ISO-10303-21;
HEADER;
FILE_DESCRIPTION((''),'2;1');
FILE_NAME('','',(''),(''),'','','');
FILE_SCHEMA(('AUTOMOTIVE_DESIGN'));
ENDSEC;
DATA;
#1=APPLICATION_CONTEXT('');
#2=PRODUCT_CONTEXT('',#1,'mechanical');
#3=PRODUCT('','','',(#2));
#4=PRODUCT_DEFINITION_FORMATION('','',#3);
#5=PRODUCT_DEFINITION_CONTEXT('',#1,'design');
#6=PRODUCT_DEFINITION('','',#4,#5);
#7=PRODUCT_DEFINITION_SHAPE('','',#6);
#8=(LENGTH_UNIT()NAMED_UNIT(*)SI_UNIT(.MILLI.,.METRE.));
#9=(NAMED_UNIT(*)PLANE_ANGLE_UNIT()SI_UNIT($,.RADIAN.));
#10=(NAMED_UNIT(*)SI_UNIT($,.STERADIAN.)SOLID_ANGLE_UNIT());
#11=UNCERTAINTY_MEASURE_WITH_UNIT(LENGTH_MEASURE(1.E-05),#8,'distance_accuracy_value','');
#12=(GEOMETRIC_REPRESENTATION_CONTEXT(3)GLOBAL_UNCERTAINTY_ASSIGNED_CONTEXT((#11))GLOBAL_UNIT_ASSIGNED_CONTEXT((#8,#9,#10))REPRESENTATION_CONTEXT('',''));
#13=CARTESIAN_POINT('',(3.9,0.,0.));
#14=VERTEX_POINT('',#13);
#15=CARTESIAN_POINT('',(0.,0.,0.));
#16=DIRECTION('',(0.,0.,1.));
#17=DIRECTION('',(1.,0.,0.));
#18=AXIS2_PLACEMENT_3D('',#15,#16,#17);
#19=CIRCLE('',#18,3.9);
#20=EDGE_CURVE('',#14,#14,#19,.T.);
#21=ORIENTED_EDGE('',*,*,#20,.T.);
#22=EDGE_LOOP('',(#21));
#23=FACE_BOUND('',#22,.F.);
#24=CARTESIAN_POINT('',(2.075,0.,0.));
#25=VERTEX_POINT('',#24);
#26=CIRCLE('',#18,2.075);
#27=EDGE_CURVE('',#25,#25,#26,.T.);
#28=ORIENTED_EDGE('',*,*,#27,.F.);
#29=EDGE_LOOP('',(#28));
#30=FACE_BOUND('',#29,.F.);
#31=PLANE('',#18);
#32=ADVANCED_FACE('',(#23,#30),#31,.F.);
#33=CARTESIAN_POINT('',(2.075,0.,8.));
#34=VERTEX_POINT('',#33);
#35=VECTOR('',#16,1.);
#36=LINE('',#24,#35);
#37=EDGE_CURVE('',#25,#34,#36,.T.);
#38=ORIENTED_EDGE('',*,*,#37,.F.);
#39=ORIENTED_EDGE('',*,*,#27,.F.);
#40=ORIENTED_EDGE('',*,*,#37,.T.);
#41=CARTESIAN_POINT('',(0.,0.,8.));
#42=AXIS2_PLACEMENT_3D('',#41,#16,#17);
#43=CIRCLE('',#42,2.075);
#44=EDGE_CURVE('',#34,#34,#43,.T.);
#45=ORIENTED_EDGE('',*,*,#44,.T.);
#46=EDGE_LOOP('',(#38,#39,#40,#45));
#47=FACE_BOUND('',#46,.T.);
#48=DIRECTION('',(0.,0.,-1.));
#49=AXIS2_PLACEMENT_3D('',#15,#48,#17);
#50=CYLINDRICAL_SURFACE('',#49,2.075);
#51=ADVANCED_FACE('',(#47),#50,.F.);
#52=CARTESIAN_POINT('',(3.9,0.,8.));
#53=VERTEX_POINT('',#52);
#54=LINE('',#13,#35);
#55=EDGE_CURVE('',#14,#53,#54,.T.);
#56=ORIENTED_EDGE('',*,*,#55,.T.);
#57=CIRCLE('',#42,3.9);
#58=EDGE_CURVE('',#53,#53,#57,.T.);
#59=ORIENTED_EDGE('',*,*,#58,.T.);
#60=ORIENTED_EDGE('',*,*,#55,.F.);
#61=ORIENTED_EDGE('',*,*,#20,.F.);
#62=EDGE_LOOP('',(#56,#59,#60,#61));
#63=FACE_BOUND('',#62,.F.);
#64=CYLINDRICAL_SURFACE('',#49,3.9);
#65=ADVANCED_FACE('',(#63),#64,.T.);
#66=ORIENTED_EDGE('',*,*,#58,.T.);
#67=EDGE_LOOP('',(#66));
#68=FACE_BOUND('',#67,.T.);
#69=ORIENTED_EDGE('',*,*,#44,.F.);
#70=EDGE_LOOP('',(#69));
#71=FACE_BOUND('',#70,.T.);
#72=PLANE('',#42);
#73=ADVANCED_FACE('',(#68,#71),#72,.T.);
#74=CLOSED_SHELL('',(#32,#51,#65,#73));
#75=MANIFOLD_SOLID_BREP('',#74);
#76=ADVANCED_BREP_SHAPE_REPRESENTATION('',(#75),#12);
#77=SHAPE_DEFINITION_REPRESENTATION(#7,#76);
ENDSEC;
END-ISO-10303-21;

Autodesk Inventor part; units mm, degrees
ref_plane "YZ Plane" through (0, 0, 0) normal (1, 0, 0) x (0, 1, 0)
ref_plane "XZ Plane" through (0, 0, 0) normal (0, 1, 0) x (-1, 0, 0)
ref_plane "XY Plane" through (0, 0, 0) normal (0, 0, 1) x (1, 0, 0)
sketch "Sketch1" plane through (0, 0, 0) normal (0, 0, 1) x (1, 0, 0)
  circle A0 centre (0, 0) radius 2.075
  circle A1 centre (0, 0) radius 3.9
  dimension "d0" = 4.15
  dimension "d1" = 7.8
extrude "Extrusion1" add sketch "Sketch1" along normal blind 8
properties part number "Motor Sleeve 0.2"
